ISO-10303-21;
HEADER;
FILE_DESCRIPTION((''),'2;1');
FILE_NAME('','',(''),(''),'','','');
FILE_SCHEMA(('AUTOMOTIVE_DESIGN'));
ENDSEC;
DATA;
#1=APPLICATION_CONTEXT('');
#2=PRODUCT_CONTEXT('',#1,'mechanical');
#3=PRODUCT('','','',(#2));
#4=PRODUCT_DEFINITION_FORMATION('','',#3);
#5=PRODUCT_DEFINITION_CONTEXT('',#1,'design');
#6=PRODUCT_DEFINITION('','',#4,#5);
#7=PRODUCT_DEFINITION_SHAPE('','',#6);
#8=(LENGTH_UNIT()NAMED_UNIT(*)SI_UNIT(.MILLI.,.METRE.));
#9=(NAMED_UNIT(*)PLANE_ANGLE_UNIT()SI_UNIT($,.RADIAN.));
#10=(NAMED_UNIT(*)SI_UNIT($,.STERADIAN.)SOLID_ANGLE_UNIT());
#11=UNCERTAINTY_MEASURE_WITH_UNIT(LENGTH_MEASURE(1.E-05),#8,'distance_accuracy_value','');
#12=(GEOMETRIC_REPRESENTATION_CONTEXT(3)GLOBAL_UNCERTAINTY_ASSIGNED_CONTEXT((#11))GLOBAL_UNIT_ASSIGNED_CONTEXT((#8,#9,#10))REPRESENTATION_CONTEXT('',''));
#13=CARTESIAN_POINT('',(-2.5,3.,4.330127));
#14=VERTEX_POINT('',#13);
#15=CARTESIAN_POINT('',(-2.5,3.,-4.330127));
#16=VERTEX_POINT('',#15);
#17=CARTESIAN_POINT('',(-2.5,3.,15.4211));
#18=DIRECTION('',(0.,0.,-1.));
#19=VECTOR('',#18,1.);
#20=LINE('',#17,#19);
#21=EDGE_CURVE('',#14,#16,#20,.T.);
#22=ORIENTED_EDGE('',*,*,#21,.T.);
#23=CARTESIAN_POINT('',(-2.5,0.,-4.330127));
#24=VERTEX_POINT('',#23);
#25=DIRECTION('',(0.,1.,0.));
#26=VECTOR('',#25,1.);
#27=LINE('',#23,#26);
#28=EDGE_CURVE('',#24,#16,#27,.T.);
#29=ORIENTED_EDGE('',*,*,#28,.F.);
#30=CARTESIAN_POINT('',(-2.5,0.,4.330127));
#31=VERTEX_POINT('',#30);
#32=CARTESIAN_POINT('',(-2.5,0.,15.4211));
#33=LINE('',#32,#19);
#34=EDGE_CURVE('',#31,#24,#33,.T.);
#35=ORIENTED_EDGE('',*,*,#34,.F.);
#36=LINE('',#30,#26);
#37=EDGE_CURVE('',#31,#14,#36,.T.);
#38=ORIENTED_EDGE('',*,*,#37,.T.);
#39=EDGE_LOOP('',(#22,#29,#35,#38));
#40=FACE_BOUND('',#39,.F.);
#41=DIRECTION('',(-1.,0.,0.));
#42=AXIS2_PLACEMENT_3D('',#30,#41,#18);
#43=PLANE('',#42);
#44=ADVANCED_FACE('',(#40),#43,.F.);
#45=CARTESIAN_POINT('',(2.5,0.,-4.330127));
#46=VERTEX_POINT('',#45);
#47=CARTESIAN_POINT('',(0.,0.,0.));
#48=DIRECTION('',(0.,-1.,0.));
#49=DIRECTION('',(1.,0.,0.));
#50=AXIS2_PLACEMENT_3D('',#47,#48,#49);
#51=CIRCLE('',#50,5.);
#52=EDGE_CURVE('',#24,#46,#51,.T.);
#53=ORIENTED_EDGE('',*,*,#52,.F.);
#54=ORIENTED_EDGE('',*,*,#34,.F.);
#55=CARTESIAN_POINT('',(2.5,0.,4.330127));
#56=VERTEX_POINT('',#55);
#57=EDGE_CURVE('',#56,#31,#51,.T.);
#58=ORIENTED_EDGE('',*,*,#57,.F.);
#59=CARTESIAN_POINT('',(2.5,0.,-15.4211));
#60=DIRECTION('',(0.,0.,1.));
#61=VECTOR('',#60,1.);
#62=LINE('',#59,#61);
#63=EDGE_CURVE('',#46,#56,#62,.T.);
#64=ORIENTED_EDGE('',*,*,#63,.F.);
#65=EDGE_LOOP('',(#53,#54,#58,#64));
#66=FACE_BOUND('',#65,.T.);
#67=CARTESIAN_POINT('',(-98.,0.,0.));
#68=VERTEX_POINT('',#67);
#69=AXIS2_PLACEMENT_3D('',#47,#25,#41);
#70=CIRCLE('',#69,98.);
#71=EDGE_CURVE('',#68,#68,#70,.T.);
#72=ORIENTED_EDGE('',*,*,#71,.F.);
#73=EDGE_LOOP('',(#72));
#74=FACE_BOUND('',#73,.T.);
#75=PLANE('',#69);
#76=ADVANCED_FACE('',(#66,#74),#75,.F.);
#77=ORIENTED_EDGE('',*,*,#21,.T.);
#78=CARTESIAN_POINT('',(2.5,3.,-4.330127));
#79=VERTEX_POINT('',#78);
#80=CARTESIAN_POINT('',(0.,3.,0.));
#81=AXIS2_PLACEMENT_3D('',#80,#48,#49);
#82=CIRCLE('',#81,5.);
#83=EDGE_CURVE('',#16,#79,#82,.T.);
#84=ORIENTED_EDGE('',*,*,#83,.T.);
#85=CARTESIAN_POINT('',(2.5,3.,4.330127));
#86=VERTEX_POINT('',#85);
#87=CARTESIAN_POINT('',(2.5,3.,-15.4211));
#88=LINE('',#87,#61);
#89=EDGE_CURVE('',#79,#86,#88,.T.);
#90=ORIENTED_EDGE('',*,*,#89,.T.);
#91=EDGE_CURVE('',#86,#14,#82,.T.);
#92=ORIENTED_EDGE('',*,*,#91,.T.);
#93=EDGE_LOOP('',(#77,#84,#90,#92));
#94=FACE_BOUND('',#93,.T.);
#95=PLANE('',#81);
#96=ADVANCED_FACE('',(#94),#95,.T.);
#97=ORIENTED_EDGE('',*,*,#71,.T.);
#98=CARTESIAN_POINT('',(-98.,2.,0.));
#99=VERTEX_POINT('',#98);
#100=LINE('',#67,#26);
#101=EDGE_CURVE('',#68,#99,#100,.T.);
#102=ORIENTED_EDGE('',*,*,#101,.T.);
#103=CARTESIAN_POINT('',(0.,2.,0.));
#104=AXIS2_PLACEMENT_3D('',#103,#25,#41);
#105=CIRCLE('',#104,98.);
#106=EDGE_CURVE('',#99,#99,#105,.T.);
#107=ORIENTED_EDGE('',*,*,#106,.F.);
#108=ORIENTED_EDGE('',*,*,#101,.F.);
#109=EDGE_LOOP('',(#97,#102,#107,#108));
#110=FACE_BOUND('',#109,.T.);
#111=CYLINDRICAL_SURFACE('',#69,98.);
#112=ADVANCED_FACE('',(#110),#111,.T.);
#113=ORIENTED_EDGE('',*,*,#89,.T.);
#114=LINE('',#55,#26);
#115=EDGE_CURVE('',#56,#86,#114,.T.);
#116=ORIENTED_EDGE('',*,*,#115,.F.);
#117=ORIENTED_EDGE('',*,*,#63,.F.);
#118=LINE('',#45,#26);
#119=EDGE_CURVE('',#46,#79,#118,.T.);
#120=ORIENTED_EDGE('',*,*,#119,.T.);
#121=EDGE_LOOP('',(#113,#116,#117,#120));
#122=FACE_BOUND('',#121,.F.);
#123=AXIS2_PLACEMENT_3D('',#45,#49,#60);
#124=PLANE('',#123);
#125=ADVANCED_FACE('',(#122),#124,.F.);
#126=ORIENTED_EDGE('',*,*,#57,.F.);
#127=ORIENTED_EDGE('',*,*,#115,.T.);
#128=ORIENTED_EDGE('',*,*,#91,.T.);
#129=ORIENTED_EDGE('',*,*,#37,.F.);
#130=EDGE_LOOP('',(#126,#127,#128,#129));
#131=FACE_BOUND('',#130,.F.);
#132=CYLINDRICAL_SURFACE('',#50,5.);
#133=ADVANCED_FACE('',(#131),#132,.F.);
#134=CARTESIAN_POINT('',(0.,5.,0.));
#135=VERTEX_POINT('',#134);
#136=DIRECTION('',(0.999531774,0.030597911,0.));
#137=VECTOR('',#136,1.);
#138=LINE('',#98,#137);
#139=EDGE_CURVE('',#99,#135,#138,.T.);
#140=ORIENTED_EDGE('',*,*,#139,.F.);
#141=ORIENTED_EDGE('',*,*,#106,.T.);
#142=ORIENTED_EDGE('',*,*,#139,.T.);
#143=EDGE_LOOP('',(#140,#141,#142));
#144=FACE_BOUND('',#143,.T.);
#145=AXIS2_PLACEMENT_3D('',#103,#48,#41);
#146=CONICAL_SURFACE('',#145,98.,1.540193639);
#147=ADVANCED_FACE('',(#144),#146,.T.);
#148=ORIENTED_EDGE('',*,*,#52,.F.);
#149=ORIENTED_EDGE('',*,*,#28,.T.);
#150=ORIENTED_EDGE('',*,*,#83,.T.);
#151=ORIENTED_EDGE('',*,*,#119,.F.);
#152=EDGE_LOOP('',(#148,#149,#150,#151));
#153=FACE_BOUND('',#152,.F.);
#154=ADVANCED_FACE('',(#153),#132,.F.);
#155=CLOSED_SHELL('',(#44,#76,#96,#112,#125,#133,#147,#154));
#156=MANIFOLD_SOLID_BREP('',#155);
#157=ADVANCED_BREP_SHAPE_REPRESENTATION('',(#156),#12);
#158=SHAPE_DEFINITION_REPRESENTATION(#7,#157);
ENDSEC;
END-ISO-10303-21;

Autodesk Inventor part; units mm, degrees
ref_plane "YZ Plane" through (0, 0, 0) normal (1, 0, 0) x (0, 1, 0)
ref_plane "XZ Plane" through (0, 0, 0) normal (0, 1, 0) x (-1, 0, 0)
ref_plane "XY Plane" through (0, 0, 0) normal (0, 0, 1) x (1, 0, 0)
sketch "Sketch1" plane through (0, 0, 0) normal (0, 0, 1) x (1, 0, 0)
  line L0 (-98, 0) -> (-98, 2)
  line L1 (-98, 2) -> (0, 5)
  line L2 (0, 5) -> (0, 0)
  line L3 (0, 0) -> (-98, 0)
  line L4 (0, -25) -> (0, 10) projected
  point P0 (0, -20)
  dimension "d3" = 2
revolve "Revolution1" add sketch "Sketch1" angle 360 about axis through (0, -10, 0) along (0, 1, 0)
sketch "Sketch2" plane through (0, 0, 0) normal (0, -1, 0) x (1, 0, 0)
  circle A0 centre (0, 0) radius 5
  line L0 (-2.5, -15.4211) -> (2.5, -15.4211)
  line L1 (2.5, -15.4211) -> (2.5, 15.4211)
  line L2 (2.5, 15.4211) -> (-2.5, 15.4211)
  line L3 (-2.5, 15.4211) -> (-2.5, -15.4211)
  line L4 (-2.5, -15.4211) -> (2.5, 15.4211) construction
  line L5 (2.5, -15.4211) -> (-2.5, 15.4211) construction
  point P0 (-2.5, 4.3301)
  point P1 (-2.5, -4.3301)
  point P2 (2.5, -4.3301)
  point P3 (2.5, 4.3301)
  dimension "d8" = 10
  dimension "d9" = 5
extrude "Extrusion1" cut sketch "Sketch2" against normal blind 3 contours L1 A0 L3
properties part number "centrer centrifugal spinner"
